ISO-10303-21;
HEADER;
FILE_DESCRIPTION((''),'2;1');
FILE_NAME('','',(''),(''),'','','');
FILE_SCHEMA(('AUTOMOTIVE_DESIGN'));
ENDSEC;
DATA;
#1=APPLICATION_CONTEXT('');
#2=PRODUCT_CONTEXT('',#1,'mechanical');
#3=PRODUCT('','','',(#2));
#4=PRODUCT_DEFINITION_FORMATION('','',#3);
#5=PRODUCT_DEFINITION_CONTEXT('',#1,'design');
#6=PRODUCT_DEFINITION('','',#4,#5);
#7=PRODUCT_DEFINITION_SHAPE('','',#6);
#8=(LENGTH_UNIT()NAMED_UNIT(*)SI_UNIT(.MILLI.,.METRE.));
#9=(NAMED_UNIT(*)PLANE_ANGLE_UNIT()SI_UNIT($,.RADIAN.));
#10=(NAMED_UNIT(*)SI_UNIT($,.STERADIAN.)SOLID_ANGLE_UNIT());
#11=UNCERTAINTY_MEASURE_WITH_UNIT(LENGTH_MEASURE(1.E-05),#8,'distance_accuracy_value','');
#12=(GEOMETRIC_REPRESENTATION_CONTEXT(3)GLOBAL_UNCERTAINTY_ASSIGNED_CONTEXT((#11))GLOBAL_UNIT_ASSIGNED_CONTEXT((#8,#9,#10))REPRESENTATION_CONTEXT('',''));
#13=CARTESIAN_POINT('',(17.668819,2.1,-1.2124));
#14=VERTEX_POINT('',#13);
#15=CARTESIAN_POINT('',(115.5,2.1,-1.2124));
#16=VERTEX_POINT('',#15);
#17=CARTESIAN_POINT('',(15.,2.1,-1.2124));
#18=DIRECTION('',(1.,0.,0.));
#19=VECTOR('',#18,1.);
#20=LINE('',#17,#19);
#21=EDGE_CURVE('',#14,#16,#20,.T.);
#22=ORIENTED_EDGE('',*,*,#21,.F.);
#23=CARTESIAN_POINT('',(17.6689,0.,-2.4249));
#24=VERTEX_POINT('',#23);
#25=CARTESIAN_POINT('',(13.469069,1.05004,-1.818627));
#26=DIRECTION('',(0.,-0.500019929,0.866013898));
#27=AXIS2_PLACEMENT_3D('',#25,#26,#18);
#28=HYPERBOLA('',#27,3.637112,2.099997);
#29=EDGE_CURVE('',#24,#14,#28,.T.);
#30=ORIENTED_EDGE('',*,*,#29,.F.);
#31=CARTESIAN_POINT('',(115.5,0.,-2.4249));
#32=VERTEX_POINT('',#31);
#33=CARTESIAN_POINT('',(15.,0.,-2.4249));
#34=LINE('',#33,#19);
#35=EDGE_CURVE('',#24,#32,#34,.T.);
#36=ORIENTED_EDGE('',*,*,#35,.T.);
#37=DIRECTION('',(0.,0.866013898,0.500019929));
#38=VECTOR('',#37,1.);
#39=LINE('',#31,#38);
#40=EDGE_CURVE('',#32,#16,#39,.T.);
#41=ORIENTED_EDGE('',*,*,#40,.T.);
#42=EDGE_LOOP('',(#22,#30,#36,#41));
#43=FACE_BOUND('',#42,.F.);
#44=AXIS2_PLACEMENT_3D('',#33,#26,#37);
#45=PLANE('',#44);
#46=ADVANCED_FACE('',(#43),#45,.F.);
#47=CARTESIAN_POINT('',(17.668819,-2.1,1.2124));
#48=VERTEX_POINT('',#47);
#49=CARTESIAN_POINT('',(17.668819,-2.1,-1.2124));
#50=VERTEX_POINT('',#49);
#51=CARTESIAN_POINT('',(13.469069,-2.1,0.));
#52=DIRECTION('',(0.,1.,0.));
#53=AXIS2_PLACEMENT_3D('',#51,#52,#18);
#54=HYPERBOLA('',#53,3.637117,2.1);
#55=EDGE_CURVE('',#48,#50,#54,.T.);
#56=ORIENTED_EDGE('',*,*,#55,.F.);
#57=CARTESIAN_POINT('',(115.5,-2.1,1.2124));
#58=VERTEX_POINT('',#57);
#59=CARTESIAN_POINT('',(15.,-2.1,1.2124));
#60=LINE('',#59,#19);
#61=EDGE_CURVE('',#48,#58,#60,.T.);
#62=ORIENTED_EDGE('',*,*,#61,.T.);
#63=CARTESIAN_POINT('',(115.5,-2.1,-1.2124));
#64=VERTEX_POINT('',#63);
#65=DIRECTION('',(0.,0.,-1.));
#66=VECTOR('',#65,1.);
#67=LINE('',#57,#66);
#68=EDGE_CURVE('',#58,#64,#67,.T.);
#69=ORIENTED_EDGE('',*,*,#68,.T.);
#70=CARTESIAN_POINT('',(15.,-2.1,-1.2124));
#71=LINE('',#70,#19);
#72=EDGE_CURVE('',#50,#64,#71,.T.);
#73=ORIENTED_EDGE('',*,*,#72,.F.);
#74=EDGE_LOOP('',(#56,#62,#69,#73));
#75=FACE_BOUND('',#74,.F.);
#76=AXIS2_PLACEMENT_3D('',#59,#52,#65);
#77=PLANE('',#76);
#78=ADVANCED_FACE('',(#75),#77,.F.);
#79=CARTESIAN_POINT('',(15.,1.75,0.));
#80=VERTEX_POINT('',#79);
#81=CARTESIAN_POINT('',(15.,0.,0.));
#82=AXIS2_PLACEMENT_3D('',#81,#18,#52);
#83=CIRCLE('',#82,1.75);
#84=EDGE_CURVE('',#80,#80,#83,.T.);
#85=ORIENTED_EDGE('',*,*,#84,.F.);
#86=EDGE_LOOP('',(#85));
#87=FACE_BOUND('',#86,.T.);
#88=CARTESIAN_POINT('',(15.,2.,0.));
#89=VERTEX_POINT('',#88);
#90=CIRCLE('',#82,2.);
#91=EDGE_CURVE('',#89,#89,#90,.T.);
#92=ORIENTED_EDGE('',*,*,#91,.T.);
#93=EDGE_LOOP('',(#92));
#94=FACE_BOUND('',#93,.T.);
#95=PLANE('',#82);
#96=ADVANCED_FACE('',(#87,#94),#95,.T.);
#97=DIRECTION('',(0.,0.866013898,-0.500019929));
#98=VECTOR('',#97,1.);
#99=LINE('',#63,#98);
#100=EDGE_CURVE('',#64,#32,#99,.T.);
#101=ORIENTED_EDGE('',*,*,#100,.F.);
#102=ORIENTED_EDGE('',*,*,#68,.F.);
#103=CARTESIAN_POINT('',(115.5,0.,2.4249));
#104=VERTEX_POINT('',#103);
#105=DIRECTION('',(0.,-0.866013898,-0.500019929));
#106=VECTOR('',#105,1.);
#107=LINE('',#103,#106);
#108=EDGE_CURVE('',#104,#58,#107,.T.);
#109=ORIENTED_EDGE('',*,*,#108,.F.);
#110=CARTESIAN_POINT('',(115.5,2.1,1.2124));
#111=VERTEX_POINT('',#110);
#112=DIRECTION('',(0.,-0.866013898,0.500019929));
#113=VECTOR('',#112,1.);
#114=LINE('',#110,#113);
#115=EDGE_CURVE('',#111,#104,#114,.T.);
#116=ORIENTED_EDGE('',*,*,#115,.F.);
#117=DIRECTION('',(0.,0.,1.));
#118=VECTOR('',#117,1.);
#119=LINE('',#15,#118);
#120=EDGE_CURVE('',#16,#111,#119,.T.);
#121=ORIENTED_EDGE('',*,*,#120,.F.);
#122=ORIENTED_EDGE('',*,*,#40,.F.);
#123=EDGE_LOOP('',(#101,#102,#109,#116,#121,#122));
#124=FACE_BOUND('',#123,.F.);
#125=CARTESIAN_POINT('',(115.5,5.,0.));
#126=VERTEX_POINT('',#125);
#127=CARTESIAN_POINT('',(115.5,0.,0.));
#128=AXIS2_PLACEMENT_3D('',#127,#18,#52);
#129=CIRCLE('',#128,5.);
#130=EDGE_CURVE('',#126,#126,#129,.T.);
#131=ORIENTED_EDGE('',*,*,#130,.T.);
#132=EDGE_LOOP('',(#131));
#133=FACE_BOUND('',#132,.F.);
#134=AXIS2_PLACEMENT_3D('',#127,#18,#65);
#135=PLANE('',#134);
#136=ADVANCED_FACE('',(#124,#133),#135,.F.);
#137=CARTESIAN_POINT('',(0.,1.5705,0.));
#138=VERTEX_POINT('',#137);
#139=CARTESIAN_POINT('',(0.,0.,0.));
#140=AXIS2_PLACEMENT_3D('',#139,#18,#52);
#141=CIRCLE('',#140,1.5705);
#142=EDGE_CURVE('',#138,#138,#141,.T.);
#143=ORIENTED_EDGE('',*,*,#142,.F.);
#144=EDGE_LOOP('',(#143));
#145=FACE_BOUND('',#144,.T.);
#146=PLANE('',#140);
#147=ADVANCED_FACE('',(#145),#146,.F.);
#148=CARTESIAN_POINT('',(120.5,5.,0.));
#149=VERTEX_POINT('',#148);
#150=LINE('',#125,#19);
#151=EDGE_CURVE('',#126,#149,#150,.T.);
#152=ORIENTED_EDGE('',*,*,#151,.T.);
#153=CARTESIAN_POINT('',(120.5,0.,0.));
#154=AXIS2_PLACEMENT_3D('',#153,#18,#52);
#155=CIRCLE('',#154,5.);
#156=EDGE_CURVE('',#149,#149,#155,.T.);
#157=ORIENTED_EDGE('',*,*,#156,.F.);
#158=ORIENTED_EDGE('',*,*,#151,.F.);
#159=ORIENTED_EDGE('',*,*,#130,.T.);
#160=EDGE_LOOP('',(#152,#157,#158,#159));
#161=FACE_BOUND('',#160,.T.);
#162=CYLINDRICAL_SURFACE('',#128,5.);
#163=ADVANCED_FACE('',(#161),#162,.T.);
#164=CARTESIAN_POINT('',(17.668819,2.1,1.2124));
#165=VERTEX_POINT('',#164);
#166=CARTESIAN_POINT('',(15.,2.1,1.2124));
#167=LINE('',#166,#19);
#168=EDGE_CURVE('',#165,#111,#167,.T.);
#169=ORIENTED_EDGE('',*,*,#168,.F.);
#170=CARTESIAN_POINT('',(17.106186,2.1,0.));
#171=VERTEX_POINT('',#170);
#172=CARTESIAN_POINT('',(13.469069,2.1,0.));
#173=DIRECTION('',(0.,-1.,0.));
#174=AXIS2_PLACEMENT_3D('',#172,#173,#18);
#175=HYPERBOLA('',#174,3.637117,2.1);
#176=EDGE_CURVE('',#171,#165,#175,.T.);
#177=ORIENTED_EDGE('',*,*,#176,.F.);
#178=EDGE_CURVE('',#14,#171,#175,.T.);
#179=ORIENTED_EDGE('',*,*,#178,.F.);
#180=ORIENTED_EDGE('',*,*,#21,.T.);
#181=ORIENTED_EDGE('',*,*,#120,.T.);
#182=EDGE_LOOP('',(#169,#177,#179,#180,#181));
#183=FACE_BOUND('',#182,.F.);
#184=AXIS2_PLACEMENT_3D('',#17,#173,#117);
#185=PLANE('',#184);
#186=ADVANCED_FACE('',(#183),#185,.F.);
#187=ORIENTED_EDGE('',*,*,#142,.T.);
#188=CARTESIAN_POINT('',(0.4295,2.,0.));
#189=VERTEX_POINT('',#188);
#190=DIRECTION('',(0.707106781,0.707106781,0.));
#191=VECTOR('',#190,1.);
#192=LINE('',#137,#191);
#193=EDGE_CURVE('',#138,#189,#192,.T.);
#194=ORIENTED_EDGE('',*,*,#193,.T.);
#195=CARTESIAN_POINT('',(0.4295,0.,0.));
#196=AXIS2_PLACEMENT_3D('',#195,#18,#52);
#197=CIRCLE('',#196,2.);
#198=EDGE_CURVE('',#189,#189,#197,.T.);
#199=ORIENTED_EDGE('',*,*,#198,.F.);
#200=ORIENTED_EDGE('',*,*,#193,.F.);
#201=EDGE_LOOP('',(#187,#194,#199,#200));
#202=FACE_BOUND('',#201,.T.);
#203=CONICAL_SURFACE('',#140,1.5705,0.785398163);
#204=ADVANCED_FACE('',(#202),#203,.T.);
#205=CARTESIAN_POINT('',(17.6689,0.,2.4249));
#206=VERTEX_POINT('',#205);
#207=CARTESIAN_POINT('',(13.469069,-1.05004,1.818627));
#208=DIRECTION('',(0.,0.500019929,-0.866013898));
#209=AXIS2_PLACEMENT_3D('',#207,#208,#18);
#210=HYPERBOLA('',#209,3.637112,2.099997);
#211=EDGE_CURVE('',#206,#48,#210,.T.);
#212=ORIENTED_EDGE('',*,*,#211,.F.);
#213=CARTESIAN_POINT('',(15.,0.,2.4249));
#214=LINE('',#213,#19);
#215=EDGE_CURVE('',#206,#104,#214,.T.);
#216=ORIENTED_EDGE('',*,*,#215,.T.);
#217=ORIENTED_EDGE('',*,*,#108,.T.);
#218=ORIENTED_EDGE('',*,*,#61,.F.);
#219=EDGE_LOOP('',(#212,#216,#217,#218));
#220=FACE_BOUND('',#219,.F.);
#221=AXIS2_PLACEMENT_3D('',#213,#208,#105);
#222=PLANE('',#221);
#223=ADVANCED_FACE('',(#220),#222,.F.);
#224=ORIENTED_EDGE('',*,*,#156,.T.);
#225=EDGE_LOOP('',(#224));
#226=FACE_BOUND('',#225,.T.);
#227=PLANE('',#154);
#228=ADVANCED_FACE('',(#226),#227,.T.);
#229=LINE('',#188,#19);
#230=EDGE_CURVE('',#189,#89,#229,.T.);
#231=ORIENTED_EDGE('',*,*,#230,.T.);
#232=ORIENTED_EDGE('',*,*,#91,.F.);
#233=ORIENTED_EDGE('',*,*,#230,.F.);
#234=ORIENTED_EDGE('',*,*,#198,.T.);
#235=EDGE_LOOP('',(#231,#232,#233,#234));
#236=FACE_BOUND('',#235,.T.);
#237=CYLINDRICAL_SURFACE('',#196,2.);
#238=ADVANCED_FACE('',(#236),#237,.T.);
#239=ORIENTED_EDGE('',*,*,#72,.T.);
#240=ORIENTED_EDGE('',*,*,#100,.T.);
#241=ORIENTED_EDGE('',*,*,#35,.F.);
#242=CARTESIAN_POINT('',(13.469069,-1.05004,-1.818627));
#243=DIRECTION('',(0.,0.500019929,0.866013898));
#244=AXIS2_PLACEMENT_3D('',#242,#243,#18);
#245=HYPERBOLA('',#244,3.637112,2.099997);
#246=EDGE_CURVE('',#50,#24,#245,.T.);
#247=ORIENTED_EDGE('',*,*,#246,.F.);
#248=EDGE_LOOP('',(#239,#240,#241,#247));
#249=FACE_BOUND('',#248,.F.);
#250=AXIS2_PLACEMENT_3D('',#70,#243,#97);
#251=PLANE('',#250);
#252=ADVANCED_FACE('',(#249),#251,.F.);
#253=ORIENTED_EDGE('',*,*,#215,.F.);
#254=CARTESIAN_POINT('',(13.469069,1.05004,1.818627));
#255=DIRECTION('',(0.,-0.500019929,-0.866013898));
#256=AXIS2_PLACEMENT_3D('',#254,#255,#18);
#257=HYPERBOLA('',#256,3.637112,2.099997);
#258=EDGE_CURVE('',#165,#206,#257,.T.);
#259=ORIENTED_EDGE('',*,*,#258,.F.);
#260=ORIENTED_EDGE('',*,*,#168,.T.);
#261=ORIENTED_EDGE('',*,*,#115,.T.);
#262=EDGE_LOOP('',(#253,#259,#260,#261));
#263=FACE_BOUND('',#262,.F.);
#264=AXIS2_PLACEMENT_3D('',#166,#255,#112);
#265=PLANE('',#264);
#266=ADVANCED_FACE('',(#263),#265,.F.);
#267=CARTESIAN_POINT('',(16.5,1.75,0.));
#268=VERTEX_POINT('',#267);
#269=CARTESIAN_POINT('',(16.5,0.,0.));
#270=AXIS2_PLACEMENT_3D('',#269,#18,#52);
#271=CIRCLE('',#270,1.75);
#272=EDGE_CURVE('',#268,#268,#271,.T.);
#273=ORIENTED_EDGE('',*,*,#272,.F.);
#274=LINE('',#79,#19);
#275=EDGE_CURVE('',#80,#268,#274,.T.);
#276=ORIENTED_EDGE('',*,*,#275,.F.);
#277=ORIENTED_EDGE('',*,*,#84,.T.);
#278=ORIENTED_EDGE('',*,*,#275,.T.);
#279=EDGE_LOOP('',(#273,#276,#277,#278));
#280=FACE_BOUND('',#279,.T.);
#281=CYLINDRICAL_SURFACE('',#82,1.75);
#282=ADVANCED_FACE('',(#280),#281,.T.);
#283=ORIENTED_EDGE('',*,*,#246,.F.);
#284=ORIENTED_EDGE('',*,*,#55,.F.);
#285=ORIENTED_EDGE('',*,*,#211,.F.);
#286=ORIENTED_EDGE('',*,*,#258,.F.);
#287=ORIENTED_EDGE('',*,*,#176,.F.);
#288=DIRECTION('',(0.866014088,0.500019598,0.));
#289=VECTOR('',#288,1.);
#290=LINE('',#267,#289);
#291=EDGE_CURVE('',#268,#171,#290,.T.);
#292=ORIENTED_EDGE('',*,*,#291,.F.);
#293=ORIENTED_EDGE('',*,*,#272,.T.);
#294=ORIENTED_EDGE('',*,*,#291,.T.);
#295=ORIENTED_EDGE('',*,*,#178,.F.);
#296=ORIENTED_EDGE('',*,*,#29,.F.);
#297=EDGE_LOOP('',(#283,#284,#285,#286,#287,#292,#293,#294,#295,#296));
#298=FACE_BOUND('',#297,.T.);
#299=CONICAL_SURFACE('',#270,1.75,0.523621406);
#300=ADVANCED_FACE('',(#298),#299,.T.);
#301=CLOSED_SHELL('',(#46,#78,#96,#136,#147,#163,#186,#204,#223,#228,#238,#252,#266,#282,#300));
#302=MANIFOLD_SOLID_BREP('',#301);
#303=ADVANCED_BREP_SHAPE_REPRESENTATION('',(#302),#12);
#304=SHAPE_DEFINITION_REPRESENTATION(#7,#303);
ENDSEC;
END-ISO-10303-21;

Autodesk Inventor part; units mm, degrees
sketch "Sketch_2" plane through (0, 0, 0) normal (0, 0, 1) x (1, 0, 0)
  line L0 (120.5, 0) -> (0, 0)
  line L1 (0, 0) -> (0, 1.5705)
  line L2 (0, 1.5705) -> (0.4295, 2)
  line L3 (0.4295, 2) -> (15, 2)
  line L4 (15, 2) -> (15, 1.75)
  line L5 (15, 1.75) -> (16.5, 1.75)
  line L6 (16.5, 1.75) -> (17.6689, 2.4249)
  line L7 (17.6689, 2.4249) -> (115.5, 2.4249)
  line L8 (115.5, 2.4249) -> (115.5, 5)
  line L9 (115.5, 5) -> (120.5, 5)
  line L10 (120.5, 5) -> (120.5, 0)
  line L11 (120.5, 0) -> (0, 0)
revolve "Revolution1" add sketch "Sketch_2" angle 360 about axis through (120.5, 0, 0) along (1, 0, 0)
thread "Thread1" size "M4x0.7" class "6g" standard "ISO Metric profile" full length
sketch "Sketch_1" plane through (15, 0, 0) normal (1, 0, 0) x (0, 0, -1)
  circle A0 centre (0, 0) radius 6.3
  line L0 (-2.4249, 0) -> (-1.2124, -2.1)
  line L1 (-1.2124, -2.1) -> (1.2124, -2.1)
  line L2 (1.2124, -2.1) -> (2.4249, 0)
  line L3 (2.4249, 0) -> (1.2124, 2.1)
  line L4 (1.2124, 2.1) -> (-1.2124, 2.1)
  line L5 (-1.2124, 2.1) -> (-2.4249, 0)
extrude "Extrusion1" cut sketch "Sketch_1" along normal blind 100.5
ref_plane "rod_XY" through (0, 0, 0) normal (1, 0, 0) x (0, 0, -1)
ref_plane "rod_YZ" through (0, 0, 0) normal (0, 0, -1) x (0, 1, 0)
ref_plane "rod_ZX" through (0, 0, 0) normal (0, 1, 0) x (1, 0, 0)
ref_plane "rodnt1_XY" through (7.5, 0, 0) normal (1, 0, 0) x (0, 0, -1)
ref_plane "rodnt1_YZ" through (7.5, 0, 0) normal (0, 0, -1) x (0, 1, 0)
ref_plane "rodnt1_ZX" through (7.5, 0, 0) normal (0, 1, 0) x (1, 0, 0)
ref_plane "rodnt2_XY" through (7.5, 0, 0) normal (-1, 0, 0) x (0, 0, -1)
ref_plane "rodnt2_YZ" through (7.5, 0, 0) normal (0, 0, -1) x (0, -1, 0)
ref_plane "rodnt2_ZX" through (7.5, 0, 0) normal (0, -1, 0) x (-1, 0, 0)
properties part number "CJ2KB10-75Z_ROD" material "ステンレス鋼"
